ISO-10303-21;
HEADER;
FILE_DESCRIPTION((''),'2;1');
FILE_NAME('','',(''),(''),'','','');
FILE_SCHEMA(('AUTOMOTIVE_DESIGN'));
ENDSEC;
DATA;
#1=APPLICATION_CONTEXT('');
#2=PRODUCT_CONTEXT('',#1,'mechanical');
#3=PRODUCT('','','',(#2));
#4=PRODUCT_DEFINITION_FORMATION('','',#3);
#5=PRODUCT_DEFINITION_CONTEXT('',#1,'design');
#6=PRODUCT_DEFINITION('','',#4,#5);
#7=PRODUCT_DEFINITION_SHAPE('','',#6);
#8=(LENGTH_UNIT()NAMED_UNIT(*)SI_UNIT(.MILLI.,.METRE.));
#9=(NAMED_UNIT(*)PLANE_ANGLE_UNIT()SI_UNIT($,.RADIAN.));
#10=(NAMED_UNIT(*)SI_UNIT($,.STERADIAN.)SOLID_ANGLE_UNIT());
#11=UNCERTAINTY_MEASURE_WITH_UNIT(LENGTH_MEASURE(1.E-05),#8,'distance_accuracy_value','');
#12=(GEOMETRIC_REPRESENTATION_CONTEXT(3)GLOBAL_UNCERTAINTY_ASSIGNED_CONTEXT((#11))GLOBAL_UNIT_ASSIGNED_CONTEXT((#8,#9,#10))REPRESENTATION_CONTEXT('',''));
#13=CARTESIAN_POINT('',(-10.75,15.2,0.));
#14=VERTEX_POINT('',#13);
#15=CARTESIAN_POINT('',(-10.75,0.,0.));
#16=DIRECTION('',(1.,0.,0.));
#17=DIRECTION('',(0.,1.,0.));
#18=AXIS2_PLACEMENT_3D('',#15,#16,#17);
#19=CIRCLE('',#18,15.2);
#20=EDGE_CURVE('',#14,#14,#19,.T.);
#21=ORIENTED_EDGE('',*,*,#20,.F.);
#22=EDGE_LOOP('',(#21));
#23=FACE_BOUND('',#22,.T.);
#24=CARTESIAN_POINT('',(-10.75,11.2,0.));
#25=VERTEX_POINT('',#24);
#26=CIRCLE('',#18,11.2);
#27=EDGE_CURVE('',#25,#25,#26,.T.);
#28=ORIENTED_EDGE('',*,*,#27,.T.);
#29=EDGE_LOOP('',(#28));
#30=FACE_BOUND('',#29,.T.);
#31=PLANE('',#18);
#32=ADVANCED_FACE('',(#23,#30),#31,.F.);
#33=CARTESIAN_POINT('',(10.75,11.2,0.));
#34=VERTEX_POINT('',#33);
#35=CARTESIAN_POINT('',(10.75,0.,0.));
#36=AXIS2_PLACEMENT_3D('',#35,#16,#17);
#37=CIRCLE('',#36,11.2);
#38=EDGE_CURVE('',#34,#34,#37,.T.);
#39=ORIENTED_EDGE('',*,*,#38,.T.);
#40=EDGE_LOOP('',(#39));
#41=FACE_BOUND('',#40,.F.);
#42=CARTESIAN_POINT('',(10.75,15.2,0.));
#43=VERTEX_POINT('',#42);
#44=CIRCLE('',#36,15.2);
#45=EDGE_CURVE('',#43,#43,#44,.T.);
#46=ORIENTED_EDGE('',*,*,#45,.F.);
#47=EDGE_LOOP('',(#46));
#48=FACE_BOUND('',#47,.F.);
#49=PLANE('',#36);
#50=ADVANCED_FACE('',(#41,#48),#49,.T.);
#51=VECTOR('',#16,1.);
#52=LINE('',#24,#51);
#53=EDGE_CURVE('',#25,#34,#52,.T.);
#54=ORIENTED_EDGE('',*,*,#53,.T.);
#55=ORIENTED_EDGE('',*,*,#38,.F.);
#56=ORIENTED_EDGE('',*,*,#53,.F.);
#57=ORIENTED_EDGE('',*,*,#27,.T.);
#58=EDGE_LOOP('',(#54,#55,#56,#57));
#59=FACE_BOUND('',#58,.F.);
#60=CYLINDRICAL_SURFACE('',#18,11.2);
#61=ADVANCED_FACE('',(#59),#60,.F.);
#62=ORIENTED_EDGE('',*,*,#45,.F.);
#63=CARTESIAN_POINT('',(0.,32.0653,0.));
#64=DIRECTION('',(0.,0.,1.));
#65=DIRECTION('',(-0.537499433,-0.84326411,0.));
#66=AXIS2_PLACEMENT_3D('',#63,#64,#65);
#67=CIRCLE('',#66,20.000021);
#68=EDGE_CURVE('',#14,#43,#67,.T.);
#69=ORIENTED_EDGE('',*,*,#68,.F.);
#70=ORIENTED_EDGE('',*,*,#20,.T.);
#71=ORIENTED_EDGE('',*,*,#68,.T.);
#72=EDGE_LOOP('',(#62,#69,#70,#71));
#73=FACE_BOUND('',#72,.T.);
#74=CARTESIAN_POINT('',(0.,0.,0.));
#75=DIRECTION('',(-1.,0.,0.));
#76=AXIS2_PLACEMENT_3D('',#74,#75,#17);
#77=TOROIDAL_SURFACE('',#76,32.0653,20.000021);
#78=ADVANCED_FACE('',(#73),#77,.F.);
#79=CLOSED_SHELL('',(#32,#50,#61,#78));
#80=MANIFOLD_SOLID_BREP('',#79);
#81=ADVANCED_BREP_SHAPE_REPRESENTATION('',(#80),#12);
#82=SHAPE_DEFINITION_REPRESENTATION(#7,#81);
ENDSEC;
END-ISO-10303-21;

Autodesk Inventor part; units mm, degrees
ref_plane "YZ Plane" through (0, 0, 0) normal (1, 0, 0) x (0, 1, 0)
ref_plane "XZ Plane" through (0, 0, 0) normal (0, 1, 0) x (-1, 0, 0)
ref_plane "XY Plane" through (0, 0, 0) normal (0, 0, 1) x (1, 0, 0)
sketch "Sketch2" plane through (0, 0, 0) normal (0, 0, 1) x (1, 0, 0)
  line L0 (-14.684, 0) -> (13.99, 0) construction
  line L1 (-10.75, 11.2) -> (10.75, 11.2)
  line L2 (10.75, 11.2) -> (10.75, 15.2)
  line L3 (-10.75, 11.2) -> (-10.75, 15.2)
  arc A0 (-10.75, 15.2) -> (10.75, 15.2) centre (0, 32.0653) ccw
  point P0 (0, 0)
  point P1 (0, 11.2)
  dimension "d0" = 22.4
  dimension "d1" = 21.5
  dimension "d2" = 4
  dimension "d3" = 20
revolve "Revolution1" add sketch "Sketch2" angle 360 about axis through (-14.684, 0, 0) along (1, 0, 0)
properties part number "pulley_bearing_cover"
